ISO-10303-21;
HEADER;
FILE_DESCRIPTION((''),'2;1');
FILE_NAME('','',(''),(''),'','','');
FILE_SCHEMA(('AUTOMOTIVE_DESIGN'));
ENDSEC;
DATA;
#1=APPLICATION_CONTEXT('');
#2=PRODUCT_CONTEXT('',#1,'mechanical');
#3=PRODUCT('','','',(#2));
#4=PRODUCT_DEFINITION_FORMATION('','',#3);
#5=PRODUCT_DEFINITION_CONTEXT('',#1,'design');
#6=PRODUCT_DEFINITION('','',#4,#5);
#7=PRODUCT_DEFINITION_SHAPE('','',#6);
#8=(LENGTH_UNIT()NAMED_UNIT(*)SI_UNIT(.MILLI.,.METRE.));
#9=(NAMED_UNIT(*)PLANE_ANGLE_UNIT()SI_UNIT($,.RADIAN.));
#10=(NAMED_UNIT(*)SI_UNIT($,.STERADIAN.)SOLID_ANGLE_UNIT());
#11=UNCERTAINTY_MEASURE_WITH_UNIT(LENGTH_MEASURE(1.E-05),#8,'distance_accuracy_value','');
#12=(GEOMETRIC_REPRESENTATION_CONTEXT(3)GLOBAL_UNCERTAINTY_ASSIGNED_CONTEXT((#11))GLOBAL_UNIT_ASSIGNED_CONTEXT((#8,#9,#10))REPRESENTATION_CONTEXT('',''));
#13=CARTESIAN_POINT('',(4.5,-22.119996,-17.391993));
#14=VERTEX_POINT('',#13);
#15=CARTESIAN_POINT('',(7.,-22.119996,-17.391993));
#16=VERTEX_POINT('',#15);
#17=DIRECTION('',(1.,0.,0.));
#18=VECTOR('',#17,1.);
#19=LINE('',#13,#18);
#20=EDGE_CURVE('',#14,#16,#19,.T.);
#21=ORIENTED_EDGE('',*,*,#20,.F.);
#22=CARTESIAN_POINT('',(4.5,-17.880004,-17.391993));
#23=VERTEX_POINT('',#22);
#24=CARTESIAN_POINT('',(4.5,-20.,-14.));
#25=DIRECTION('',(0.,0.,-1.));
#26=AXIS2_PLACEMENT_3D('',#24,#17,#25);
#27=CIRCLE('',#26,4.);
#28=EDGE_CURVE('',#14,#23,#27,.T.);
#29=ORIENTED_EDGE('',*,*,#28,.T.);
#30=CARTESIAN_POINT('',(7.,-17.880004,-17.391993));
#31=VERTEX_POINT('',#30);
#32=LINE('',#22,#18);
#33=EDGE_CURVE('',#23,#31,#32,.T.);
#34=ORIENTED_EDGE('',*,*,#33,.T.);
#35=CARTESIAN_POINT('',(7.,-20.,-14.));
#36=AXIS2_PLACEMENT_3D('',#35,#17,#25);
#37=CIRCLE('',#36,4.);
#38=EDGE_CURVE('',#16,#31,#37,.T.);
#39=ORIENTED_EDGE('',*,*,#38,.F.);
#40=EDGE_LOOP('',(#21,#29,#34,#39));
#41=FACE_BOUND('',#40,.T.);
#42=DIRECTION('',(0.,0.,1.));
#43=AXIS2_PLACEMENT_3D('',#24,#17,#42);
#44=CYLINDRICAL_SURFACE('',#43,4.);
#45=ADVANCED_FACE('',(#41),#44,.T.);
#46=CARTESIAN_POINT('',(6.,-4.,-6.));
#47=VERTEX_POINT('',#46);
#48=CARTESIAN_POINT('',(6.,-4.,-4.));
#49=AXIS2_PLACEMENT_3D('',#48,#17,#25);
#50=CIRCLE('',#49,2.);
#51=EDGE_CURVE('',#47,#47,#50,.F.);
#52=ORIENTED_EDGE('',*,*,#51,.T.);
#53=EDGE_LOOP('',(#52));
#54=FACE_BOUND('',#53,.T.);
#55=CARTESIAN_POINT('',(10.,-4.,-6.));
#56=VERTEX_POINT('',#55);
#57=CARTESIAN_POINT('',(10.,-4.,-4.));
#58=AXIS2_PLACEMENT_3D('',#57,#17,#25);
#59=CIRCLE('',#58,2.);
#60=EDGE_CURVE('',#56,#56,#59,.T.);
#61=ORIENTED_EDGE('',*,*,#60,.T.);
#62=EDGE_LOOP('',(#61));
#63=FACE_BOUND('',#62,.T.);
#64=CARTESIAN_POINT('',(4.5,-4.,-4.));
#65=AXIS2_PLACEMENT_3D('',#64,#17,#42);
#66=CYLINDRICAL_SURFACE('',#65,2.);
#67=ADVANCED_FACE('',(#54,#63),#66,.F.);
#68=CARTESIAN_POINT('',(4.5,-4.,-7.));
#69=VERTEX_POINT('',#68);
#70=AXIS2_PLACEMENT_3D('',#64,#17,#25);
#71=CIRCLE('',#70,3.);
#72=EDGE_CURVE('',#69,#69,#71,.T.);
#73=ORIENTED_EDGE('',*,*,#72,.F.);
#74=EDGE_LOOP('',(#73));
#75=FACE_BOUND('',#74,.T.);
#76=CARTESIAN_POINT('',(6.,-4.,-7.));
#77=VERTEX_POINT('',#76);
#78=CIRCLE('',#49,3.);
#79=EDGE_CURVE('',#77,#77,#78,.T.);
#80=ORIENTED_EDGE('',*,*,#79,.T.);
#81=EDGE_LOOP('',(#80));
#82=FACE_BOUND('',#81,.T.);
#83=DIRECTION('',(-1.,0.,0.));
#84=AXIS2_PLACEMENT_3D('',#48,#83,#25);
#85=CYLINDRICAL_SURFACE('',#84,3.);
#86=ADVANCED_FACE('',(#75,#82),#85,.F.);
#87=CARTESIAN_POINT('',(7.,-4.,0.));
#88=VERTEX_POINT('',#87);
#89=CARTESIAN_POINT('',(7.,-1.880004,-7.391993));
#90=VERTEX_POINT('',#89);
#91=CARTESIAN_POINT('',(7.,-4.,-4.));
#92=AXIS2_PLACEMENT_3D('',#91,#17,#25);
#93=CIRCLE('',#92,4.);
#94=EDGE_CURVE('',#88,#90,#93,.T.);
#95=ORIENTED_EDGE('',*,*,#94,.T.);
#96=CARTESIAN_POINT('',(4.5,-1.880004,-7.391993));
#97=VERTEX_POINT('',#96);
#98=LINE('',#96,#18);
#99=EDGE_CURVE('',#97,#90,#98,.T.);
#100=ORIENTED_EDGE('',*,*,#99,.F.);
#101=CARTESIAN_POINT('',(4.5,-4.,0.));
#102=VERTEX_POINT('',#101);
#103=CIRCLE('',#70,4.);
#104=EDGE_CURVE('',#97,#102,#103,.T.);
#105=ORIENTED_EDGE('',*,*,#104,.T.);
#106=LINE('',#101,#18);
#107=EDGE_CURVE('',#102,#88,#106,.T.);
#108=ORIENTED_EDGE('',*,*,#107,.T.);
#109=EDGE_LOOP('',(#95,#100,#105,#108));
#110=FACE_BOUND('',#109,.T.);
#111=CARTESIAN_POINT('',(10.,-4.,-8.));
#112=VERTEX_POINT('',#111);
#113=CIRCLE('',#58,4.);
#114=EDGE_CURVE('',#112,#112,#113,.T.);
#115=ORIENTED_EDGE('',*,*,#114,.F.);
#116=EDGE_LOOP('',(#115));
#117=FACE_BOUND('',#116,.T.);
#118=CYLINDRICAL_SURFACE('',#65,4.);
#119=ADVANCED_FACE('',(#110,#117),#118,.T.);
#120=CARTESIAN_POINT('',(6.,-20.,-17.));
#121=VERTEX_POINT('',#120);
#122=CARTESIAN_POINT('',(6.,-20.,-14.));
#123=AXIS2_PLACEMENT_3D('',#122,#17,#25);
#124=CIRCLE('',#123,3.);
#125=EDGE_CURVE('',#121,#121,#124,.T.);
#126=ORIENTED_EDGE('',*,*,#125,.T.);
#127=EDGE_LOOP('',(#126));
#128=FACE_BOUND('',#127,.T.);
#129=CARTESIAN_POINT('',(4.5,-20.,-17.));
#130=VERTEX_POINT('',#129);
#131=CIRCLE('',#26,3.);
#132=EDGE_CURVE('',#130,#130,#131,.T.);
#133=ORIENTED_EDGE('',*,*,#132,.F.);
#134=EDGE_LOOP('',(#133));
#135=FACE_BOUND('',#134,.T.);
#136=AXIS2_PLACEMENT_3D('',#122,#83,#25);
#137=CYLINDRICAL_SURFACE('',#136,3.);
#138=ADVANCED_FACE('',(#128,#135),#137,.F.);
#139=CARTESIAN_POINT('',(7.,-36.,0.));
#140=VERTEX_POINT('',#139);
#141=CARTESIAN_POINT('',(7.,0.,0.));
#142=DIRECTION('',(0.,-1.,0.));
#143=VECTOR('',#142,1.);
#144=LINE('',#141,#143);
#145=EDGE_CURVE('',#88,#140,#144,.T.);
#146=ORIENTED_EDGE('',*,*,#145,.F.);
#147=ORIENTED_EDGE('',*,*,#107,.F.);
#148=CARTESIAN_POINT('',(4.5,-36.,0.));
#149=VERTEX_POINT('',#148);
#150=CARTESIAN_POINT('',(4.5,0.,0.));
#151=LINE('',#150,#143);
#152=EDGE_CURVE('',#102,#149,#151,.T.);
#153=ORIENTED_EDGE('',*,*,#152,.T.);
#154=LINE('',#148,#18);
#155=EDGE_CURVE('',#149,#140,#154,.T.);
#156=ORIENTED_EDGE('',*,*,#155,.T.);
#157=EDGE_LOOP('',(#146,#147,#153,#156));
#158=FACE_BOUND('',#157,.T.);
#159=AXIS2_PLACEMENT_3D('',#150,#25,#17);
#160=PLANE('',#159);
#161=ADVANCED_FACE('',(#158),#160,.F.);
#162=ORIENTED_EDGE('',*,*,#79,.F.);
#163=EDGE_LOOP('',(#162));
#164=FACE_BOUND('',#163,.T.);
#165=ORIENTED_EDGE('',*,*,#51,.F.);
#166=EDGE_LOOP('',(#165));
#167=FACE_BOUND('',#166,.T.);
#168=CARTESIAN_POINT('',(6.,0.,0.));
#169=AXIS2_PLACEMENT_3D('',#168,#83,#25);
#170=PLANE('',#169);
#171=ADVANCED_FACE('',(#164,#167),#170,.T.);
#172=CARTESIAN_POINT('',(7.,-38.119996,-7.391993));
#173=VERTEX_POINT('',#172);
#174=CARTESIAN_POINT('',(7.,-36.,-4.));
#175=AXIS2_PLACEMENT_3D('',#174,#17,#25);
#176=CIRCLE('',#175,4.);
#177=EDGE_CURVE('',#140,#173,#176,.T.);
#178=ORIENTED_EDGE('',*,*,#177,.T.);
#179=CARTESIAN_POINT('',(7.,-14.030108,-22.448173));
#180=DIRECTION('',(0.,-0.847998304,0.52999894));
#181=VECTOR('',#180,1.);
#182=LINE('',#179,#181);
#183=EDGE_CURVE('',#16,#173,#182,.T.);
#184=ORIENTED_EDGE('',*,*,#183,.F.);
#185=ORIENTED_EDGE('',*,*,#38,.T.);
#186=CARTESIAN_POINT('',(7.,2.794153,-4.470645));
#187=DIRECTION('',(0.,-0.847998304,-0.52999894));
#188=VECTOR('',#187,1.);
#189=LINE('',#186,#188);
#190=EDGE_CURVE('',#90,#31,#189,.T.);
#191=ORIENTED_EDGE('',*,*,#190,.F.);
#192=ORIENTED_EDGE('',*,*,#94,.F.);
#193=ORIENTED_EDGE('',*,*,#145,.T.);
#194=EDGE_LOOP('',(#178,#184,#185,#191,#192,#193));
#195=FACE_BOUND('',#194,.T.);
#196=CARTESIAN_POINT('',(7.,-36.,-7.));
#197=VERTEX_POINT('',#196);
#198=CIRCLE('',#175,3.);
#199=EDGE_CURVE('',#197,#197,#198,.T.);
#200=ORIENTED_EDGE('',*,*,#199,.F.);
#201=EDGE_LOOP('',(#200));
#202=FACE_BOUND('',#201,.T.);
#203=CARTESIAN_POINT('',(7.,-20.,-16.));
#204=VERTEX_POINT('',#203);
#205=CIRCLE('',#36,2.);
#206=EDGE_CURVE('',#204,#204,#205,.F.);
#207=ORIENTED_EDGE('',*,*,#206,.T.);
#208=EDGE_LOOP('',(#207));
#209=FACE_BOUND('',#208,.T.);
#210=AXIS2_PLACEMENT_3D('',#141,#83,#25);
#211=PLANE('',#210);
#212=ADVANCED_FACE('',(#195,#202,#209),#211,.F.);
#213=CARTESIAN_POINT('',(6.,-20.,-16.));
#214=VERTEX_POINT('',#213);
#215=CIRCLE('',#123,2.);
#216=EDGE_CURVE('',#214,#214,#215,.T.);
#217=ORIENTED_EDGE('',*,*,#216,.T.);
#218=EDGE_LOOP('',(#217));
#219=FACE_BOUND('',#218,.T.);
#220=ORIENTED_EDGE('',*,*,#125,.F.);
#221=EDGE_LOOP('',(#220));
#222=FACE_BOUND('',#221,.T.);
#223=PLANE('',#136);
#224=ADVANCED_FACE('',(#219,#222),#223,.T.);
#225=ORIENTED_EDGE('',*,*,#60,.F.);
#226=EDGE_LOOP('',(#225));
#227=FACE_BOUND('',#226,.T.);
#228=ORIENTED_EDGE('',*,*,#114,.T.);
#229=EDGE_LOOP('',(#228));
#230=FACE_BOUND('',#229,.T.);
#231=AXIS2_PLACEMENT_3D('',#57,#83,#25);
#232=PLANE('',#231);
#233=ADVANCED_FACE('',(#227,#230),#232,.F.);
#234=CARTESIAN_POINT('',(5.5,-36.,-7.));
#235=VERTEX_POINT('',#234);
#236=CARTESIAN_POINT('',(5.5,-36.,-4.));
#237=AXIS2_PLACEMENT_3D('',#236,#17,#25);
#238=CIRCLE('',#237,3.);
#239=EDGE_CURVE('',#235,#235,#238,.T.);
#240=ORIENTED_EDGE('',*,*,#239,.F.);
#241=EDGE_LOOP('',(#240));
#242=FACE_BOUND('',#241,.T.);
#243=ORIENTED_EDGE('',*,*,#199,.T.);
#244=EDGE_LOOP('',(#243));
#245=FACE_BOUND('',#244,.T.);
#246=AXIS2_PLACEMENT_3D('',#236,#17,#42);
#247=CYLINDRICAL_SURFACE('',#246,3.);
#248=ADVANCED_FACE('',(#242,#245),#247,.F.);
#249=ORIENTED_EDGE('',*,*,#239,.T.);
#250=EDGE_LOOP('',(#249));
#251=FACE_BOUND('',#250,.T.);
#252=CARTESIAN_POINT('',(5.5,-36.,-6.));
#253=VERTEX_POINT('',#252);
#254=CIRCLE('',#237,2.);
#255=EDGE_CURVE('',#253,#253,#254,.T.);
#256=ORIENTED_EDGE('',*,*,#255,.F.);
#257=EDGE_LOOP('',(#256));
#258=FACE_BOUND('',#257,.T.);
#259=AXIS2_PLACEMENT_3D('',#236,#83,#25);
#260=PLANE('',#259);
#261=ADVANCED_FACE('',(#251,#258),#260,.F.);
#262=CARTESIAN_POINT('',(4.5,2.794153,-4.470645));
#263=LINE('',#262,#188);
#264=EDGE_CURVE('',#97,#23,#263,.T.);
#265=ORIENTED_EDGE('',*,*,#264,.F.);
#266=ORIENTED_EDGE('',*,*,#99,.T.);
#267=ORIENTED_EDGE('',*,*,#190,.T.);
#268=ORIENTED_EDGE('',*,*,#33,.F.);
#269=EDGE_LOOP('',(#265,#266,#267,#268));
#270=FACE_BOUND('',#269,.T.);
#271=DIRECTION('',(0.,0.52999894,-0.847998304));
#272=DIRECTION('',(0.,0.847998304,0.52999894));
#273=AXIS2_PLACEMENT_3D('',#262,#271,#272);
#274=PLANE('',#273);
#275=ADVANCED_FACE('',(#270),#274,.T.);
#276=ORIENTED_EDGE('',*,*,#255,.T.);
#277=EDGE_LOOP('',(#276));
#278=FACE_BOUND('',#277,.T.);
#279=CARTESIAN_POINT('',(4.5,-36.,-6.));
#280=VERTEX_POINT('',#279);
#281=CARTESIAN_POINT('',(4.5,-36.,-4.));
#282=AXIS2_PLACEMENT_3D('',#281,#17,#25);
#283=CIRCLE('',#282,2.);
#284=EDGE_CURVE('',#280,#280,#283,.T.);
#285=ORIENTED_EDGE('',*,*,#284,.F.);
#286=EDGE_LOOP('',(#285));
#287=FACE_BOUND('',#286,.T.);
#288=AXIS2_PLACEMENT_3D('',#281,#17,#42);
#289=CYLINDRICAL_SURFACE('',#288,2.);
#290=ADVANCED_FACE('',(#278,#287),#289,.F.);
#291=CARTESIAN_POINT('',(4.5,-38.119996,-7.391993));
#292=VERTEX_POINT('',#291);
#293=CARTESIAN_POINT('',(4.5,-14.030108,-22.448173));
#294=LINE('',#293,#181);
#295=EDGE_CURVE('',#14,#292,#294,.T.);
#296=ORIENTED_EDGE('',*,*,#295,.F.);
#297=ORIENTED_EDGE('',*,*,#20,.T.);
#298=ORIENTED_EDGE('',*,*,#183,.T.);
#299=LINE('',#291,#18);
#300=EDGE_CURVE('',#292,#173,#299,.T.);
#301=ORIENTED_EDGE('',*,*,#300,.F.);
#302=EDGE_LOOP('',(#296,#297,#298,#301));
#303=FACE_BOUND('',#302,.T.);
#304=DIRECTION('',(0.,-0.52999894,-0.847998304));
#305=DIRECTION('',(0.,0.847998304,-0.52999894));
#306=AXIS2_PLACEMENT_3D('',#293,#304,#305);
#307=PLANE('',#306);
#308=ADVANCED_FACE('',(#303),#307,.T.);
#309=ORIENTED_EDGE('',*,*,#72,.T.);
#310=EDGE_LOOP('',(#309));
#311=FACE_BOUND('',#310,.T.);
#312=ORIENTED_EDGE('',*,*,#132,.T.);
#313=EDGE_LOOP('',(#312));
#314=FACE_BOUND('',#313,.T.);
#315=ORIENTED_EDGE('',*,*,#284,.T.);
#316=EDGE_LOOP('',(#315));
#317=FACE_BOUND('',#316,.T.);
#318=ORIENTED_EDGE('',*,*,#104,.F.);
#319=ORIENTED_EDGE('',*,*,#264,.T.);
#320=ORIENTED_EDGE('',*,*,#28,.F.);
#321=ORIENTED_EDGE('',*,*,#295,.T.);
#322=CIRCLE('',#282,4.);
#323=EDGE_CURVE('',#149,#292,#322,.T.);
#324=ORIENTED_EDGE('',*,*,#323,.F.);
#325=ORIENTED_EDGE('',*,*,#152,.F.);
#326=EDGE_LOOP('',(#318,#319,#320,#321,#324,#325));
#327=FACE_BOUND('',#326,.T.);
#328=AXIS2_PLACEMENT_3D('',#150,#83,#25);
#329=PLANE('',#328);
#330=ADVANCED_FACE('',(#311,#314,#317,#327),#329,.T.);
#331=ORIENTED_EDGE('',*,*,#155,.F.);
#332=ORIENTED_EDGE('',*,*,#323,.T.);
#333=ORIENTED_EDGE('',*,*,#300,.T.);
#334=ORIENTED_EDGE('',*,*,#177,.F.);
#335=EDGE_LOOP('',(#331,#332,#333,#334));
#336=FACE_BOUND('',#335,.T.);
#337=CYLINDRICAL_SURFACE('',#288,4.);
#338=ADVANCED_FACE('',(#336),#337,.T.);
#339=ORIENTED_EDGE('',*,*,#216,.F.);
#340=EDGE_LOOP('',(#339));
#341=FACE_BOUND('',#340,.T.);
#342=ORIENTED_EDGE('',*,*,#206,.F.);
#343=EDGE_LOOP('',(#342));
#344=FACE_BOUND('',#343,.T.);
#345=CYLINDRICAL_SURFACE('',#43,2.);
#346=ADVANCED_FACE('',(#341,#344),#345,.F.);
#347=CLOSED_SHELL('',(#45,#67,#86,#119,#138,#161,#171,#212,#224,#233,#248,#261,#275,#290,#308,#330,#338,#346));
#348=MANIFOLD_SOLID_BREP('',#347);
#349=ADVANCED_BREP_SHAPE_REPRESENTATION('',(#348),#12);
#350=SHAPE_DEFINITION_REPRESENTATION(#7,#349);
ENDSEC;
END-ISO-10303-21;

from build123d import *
from build123d.topology import SkipClean

# Parameters (mm, degrees)
EXTRUDE_1_DEPTH          = 2.5
EXTRUDE_START            = -3
SKETCH_1_4_R             = 4
EXTRUDE_2_DEPTH          = 3
CUT_EXTRUDE_1_DEPTH      = 44.965895874
CUT_EXTRUDE_1_DEPTH_BACK = 44.965895874
SKETCH_1_3_R             = 2
SKETCH_2_R               = 3
CUT_EXTRUDE_2_DEPTH      = 1.5
CUT_EXTRUDE_START        = -2.5
SKETCH_2_3_R             = 3
CUT_EXTRUDE_3_DEPTH      = 1.5
SKETCH_3_W               = 7.983418506
SKETCH_3_H               = 52.149860593
CUT_EXTRUDE_4_DEPTH      = 45.988887517


with BuildPart() as part:
    # 草图1 → 凸台-拉伸1 (new body)
    with BuildSketch(Plane(origin=(0, 0, 0), x_dir=(0, 0, -1), z_dir=(1, 0, 0))):
        with BuildLine():
            Line((17.391993216, -17.88000424), (7.391993216, -1.88000424))
            ThreePointArc((7.391993216, -1.88000424), (2.897269948, -0.155005015), (0, -4))
            Line((0, -4), (0, -36))
            ThreePointArc((0, -36), (2.897269948, -39.844994985), (7.391993216, -38.11999576))
            Line((7.391993216, -38.11999576), (17.391993216, -22.11999576))
            ThreePointArc((17.391993216, -22.11999576), (18, -20), (17.391993216, -17.88000424))
        make_face()
    extrude(amount=EXTRUDE_1_DEPTH)

    # 草图1<4> → 凸台-拉伸2 (add)
    with SkipClean():  # the faces are left unmerged after this step: merging them gives an invalid solid
        with BuildSketch(Plane(origin=(0, 0, 0), x_dir=(0, 0, -1), z_dir=(1, 0, 0)).offset(EXTRUDE_START)):
            with Locations(Location((4, -4, 0), (0, 0, 180))):
                Circle(SKETCH_1_4_R)
        extrude(amount=EXTRUDE_2_DEPTH)

    # 草图1<3> → 切除-拉伸1 (cut, two sides: drawn at the far end of the back side and taken through both)
    with SkipClean():  # the faces are left unmerged after this step: merging them gives an invalid solid
        with BuildSketch(Plane(origin=(0, 0, 0), x_dir=(0, 0, -1), z_dir=(1, 0, 0)).offset(-CUT_EXTRUDE_1_DEPTH_BACK)):
            with Locations((4, -4)):
                Circle(SKETCH_1_3_R)
            with Locations((14, -20)):
                Circle(SKETCH_1_3_R)
            with Locations((4, -36)):
                Circle(SKETCH_1_3_R)
        extrude(amount=CUT_EXTRUDE_1_DEPTH + CUT_EXTRUDE_1_DEPTH_BACK, mode=Mode.SUBTRACT)

    # 草图2 → 切除-拉伸2 (cut)
    with SkipClean():  # the faces are left unmerged after this step: merging them gives an invalid solid
        with BuildSketch(Plane(origin=(2.5, 0, 0), x_dir=(0, 0, -1), z_dir=(1, 0, 0))):
            with Locations((4, -4)):
                Circle(SKETCH_2_R)
            with Locations((14, -20)):
                Circle(SKETCH_2_R)
        extrude(amount=-CUT_EXTRUDE_2_DEPTH, mode=Mode.SUBTRACT)

    # 草图2<3> → 切除-拉伸3 (cut)
    with SkipClean():  # the faces are left unmerged after this step: merging them gives an invalid solid
        with BuildSketch(Plane(origin=(2.5, 0, 0), x_dir=(0, 0, -1), z_dir=(1, 0, 0)).offset(CUT_EXTRUDE_START)):
            with Locations((4, -36)):
                Circle(SKETCH_2_3_R)
        extrude(amount=CUT_EXTRUDE_3_DEPTH, mode=Mode.SUBTRACT)


with BuildPart() as body_2:
    # 镜向2: mirrored copy
    add(part.part.mirror(Plane(origin=(3.5, 0, 0), x_dir=(0, 0, 1), z_dir=(1, 0, 0))))


with BuildPart() as part_1:
    add(part.part)

    # 草图3 → 切除-拉伸4 (cut, through all)
    with BuildSketch(Plane.XY):
        with Locations((-0.565425098, -20.529857361)):
            Rectangle(SKETCH_3_W, SKETCH_3_H)
    extrude(amount=-CUT_EXTRUDE_4_DEPTH, mode=Mode.SUBTRACT)


solid = body_2.part
